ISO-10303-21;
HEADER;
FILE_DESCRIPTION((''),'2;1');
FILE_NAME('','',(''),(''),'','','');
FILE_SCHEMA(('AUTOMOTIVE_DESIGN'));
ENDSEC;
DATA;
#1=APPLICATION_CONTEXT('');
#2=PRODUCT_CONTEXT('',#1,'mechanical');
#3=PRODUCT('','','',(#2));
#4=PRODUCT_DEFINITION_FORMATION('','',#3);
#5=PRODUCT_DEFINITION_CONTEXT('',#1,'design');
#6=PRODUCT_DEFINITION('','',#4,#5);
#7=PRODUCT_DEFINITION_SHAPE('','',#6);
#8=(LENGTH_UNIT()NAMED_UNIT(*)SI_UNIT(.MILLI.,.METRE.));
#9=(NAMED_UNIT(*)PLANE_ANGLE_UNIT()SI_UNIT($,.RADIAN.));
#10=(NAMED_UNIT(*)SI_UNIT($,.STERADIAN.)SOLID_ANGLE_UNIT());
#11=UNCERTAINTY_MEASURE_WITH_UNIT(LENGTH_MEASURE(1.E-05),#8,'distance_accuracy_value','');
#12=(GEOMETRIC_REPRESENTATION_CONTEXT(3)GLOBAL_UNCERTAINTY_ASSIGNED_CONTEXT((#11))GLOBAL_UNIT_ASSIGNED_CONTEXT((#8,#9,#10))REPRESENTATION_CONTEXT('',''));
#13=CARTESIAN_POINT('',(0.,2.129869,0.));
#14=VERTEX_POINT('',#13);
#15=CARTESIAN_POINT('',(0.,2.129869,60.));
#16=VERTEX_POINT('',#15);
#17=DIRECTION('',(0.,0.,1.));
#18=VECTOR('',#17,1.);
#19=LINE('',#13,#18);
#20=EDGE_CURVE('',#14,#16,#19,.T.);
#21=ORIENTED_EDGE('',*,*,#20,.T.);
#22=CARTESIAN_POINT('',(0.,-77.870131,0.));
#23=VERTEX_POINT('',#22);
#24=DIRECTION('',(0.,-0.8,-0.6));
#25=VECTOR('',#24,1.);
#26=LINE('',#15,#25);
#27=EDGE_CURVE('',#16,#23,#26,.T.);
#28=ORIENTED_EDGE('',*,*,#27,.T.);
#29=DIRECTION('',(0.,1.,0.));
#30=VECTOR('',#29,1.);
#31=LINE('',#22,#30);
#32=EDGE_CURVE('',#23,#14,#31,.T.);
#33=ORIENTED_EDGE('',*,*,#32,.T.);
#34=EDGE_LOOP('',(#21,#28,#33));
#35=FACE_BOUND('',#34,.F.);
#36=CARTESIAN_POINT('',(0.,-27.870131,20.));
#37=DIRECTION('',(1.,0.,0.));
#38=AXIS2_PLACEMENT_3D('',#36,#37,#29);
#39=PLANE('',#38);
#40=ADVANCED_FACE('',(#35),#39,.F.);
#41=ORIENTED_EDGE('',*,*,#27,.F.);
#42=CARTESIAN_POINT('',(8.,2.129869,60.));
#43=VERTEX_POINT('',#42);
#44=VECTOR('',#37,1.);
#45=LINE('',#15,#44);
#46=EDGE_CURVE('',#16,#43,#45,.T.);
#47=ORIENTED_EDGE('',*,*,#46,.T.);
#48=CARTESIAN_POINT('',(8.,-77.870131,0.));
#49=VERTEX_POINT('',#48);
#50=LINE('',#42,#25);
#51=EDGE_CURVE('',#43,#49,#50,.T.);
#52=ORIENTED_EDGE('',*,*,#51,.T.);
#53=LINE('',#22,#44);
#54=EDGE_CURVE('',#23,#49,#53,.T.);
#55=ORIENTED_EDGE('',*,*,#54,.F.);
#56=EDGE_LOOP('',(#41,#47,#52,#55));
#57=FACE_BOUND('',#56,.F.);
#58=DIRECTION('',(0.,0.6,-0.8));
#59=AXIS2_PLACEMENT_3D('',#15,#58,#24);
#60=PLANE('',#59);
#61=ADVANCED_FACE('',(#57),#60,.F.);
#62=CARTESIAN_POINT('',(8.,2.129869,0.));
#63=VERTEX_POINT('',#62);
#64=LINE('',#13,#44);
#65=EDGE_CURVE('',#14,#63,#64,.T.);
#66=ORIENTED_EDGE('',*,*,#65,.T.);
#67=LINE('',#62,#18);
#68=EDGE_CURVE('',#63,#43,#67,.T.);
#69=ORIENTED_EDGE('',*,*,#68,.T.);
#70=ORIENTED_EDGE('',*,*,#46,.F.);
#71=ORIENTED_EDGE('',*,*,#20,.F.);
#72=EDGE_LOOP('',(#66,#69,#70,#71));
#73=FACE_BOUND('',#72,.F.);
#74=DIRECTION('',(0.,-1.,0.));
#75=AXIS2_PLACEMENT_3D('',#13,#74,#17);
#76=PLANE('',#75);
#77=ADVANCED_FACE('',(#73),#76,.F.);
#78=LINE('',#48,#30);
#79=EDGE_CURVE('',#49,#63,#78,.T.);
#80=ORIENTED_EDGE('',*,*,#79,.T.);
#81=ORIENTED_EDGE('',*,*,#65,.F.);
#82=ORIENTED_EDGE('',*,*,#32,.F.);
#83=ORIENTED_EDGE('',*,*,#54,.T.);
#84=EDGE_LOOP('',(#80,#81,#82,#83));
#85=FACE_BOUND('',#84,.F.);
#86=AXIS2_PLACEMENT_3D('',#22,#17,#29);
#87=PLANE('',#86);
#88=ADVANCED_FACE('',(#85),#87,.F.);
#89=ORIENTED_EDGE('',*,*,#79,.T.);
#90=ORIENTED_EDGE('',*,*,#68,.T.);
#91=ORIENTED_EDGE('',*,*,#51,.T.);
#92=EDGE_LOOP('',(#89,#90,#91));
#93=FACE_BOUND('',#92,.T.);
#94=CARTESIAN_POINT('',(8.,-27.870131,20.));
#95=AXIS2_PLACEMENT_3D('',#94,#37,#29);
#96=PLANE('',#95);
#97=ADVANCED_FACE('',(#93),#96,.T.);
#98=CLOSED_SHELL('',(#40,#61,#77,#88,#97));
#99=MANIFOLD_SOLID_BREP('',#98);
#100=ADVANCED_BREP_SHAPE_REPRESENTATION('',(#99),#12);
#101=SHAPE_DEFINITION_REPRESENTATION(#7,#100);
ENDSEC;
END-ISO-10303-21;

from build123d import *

# Parameters (mm, degrees)
F1_DEPTH = 8


with BuildPart() as f1:
    # F0 (on Right) → F1 (new body)
    with BuildSketch(Plane.YZ):
        Polygon((-77.870131, 0), (2.129869, 0), (2.129869, 60), align=None)
    extrude(amount=F1_DEPTH)


solid = f1.part
